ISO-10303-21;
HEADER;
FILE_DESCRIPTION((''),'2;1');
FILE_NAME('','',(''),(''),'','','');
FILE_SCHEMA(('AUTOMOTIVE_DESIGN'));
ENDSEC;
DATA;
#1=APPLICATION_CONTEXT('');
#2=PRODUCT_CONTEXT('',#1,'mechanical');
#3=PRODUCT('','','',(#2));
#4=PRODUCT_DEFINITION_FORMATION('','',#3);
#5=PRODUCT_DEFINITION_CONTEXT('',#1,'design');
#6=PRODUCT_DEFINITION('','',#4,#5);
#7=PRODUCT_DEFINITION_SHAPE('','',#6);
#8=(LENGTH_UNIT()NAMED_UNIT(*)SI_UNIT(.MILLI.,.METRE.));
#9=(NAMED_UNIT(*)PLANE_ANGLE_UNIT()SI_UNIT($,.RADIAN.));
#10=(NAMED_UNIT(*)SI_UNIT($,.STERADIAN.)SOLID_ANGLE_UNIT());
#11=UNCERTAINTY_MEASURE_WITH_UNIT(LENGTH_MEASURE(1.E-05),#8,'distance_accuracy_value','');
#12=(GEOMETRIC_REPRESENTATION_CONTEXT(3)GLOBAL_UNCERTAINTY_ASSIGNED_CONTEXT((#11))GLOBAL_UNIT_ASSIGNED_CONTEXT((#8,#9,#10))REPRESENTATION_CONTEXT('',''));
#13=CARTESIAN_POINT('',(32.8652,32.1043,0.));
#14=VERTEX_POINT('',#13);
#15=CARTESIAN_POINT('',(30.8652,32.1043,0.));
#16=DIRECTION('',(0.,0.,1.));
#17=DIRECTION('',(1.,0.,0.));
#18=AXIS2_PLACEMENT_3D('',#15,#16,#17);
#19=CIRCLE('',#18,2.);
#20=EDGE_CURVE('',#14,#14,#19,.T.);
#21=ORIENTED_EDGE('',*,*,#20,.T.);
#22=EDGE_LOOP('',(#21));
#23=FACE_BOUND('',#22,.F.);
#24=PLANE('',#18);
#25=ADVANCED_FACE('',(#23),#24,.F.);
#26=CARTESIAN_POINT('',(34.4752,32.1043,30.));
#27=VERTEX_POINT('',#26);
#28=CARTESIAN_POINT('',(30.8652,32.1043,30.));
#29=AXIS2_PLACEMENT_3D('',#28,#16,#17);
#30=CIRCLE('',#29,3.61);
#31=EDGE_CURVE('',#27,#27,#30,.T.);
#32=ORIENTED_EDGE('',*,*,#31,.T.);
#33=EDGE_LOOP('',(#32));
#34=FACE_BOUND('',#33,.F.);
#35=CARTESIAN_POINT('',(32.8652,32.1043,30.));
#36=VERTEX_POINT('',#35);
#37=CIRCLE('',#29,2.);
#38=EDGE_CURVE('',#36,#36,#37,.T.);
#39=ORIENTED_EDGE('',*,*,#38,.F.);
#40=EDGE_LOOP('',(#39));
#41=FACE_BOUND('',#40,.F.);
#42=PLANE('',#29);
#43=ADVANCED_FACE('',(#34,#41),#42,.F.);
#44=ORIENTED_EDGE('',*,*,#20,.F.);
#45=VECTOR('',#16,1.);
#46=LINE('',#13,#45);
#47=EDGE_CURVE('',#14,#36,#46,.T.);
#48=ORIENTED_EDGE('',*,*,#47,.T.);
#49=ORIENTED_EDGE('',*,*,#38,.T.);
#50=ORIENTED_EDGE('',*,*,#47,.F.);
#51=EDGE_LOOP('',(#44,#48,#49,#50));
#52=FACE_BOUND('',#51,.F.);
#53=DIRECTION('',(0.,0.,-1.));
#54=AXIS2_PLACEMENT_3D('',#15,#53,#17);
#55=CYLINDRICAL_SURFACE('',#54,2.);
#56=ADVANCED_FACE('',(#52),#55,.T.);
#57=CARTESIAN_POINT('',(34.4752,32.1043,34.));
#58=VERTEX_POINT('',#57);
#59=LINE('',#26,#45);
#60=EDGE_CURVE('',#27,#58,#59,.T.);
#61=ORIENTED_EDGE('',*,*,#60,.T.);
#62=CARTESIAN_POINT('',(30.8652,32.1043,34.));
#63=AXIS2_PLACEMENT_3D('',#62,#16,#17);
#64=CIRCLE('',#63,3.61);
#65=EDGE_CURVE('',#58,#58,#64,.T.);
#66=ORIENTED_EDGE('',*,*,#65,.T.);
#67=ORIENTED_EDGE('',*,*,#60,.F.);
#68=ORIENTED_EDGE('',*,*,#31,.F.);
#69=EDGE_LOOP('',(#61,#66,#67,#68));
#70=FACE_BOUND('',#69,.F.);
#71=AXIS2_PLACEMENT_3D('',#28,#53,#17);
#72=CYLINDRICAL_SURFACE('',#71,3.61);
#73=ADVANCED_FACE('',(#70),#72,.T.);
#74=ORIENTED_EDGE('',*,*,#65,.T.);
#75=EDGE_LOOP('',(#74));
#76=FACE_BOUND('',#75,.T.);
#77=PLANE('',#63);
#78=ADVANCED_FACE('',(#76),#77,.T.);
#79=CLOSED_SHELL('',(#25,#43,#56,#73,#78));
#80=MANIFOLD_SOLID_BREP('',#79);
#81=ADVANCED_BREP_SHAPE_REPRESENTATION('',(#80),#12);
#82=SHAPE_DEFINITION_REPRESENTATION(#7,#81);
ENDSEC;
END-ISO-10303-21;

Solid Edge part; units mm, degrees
sketch "Sketch1" plane through (0, 0, 0) normal (0, 0, 1) x (1, 0, 0)
  circle A0 centre (30.8652, 32.1043) radius 2
extrude "Protrusion1" add sketch "Sketch1" along normal blind 30
sketch "Sketch2" plane through (30.8652, 32.1043, 30) normal (0, 0, 1) x (1, 0, 0)
  circle A0 centre (0, 0) radius 3.61
extrude "ExtrudedProtrusion_2" add sketch "Sketch2" along normal blind 4
